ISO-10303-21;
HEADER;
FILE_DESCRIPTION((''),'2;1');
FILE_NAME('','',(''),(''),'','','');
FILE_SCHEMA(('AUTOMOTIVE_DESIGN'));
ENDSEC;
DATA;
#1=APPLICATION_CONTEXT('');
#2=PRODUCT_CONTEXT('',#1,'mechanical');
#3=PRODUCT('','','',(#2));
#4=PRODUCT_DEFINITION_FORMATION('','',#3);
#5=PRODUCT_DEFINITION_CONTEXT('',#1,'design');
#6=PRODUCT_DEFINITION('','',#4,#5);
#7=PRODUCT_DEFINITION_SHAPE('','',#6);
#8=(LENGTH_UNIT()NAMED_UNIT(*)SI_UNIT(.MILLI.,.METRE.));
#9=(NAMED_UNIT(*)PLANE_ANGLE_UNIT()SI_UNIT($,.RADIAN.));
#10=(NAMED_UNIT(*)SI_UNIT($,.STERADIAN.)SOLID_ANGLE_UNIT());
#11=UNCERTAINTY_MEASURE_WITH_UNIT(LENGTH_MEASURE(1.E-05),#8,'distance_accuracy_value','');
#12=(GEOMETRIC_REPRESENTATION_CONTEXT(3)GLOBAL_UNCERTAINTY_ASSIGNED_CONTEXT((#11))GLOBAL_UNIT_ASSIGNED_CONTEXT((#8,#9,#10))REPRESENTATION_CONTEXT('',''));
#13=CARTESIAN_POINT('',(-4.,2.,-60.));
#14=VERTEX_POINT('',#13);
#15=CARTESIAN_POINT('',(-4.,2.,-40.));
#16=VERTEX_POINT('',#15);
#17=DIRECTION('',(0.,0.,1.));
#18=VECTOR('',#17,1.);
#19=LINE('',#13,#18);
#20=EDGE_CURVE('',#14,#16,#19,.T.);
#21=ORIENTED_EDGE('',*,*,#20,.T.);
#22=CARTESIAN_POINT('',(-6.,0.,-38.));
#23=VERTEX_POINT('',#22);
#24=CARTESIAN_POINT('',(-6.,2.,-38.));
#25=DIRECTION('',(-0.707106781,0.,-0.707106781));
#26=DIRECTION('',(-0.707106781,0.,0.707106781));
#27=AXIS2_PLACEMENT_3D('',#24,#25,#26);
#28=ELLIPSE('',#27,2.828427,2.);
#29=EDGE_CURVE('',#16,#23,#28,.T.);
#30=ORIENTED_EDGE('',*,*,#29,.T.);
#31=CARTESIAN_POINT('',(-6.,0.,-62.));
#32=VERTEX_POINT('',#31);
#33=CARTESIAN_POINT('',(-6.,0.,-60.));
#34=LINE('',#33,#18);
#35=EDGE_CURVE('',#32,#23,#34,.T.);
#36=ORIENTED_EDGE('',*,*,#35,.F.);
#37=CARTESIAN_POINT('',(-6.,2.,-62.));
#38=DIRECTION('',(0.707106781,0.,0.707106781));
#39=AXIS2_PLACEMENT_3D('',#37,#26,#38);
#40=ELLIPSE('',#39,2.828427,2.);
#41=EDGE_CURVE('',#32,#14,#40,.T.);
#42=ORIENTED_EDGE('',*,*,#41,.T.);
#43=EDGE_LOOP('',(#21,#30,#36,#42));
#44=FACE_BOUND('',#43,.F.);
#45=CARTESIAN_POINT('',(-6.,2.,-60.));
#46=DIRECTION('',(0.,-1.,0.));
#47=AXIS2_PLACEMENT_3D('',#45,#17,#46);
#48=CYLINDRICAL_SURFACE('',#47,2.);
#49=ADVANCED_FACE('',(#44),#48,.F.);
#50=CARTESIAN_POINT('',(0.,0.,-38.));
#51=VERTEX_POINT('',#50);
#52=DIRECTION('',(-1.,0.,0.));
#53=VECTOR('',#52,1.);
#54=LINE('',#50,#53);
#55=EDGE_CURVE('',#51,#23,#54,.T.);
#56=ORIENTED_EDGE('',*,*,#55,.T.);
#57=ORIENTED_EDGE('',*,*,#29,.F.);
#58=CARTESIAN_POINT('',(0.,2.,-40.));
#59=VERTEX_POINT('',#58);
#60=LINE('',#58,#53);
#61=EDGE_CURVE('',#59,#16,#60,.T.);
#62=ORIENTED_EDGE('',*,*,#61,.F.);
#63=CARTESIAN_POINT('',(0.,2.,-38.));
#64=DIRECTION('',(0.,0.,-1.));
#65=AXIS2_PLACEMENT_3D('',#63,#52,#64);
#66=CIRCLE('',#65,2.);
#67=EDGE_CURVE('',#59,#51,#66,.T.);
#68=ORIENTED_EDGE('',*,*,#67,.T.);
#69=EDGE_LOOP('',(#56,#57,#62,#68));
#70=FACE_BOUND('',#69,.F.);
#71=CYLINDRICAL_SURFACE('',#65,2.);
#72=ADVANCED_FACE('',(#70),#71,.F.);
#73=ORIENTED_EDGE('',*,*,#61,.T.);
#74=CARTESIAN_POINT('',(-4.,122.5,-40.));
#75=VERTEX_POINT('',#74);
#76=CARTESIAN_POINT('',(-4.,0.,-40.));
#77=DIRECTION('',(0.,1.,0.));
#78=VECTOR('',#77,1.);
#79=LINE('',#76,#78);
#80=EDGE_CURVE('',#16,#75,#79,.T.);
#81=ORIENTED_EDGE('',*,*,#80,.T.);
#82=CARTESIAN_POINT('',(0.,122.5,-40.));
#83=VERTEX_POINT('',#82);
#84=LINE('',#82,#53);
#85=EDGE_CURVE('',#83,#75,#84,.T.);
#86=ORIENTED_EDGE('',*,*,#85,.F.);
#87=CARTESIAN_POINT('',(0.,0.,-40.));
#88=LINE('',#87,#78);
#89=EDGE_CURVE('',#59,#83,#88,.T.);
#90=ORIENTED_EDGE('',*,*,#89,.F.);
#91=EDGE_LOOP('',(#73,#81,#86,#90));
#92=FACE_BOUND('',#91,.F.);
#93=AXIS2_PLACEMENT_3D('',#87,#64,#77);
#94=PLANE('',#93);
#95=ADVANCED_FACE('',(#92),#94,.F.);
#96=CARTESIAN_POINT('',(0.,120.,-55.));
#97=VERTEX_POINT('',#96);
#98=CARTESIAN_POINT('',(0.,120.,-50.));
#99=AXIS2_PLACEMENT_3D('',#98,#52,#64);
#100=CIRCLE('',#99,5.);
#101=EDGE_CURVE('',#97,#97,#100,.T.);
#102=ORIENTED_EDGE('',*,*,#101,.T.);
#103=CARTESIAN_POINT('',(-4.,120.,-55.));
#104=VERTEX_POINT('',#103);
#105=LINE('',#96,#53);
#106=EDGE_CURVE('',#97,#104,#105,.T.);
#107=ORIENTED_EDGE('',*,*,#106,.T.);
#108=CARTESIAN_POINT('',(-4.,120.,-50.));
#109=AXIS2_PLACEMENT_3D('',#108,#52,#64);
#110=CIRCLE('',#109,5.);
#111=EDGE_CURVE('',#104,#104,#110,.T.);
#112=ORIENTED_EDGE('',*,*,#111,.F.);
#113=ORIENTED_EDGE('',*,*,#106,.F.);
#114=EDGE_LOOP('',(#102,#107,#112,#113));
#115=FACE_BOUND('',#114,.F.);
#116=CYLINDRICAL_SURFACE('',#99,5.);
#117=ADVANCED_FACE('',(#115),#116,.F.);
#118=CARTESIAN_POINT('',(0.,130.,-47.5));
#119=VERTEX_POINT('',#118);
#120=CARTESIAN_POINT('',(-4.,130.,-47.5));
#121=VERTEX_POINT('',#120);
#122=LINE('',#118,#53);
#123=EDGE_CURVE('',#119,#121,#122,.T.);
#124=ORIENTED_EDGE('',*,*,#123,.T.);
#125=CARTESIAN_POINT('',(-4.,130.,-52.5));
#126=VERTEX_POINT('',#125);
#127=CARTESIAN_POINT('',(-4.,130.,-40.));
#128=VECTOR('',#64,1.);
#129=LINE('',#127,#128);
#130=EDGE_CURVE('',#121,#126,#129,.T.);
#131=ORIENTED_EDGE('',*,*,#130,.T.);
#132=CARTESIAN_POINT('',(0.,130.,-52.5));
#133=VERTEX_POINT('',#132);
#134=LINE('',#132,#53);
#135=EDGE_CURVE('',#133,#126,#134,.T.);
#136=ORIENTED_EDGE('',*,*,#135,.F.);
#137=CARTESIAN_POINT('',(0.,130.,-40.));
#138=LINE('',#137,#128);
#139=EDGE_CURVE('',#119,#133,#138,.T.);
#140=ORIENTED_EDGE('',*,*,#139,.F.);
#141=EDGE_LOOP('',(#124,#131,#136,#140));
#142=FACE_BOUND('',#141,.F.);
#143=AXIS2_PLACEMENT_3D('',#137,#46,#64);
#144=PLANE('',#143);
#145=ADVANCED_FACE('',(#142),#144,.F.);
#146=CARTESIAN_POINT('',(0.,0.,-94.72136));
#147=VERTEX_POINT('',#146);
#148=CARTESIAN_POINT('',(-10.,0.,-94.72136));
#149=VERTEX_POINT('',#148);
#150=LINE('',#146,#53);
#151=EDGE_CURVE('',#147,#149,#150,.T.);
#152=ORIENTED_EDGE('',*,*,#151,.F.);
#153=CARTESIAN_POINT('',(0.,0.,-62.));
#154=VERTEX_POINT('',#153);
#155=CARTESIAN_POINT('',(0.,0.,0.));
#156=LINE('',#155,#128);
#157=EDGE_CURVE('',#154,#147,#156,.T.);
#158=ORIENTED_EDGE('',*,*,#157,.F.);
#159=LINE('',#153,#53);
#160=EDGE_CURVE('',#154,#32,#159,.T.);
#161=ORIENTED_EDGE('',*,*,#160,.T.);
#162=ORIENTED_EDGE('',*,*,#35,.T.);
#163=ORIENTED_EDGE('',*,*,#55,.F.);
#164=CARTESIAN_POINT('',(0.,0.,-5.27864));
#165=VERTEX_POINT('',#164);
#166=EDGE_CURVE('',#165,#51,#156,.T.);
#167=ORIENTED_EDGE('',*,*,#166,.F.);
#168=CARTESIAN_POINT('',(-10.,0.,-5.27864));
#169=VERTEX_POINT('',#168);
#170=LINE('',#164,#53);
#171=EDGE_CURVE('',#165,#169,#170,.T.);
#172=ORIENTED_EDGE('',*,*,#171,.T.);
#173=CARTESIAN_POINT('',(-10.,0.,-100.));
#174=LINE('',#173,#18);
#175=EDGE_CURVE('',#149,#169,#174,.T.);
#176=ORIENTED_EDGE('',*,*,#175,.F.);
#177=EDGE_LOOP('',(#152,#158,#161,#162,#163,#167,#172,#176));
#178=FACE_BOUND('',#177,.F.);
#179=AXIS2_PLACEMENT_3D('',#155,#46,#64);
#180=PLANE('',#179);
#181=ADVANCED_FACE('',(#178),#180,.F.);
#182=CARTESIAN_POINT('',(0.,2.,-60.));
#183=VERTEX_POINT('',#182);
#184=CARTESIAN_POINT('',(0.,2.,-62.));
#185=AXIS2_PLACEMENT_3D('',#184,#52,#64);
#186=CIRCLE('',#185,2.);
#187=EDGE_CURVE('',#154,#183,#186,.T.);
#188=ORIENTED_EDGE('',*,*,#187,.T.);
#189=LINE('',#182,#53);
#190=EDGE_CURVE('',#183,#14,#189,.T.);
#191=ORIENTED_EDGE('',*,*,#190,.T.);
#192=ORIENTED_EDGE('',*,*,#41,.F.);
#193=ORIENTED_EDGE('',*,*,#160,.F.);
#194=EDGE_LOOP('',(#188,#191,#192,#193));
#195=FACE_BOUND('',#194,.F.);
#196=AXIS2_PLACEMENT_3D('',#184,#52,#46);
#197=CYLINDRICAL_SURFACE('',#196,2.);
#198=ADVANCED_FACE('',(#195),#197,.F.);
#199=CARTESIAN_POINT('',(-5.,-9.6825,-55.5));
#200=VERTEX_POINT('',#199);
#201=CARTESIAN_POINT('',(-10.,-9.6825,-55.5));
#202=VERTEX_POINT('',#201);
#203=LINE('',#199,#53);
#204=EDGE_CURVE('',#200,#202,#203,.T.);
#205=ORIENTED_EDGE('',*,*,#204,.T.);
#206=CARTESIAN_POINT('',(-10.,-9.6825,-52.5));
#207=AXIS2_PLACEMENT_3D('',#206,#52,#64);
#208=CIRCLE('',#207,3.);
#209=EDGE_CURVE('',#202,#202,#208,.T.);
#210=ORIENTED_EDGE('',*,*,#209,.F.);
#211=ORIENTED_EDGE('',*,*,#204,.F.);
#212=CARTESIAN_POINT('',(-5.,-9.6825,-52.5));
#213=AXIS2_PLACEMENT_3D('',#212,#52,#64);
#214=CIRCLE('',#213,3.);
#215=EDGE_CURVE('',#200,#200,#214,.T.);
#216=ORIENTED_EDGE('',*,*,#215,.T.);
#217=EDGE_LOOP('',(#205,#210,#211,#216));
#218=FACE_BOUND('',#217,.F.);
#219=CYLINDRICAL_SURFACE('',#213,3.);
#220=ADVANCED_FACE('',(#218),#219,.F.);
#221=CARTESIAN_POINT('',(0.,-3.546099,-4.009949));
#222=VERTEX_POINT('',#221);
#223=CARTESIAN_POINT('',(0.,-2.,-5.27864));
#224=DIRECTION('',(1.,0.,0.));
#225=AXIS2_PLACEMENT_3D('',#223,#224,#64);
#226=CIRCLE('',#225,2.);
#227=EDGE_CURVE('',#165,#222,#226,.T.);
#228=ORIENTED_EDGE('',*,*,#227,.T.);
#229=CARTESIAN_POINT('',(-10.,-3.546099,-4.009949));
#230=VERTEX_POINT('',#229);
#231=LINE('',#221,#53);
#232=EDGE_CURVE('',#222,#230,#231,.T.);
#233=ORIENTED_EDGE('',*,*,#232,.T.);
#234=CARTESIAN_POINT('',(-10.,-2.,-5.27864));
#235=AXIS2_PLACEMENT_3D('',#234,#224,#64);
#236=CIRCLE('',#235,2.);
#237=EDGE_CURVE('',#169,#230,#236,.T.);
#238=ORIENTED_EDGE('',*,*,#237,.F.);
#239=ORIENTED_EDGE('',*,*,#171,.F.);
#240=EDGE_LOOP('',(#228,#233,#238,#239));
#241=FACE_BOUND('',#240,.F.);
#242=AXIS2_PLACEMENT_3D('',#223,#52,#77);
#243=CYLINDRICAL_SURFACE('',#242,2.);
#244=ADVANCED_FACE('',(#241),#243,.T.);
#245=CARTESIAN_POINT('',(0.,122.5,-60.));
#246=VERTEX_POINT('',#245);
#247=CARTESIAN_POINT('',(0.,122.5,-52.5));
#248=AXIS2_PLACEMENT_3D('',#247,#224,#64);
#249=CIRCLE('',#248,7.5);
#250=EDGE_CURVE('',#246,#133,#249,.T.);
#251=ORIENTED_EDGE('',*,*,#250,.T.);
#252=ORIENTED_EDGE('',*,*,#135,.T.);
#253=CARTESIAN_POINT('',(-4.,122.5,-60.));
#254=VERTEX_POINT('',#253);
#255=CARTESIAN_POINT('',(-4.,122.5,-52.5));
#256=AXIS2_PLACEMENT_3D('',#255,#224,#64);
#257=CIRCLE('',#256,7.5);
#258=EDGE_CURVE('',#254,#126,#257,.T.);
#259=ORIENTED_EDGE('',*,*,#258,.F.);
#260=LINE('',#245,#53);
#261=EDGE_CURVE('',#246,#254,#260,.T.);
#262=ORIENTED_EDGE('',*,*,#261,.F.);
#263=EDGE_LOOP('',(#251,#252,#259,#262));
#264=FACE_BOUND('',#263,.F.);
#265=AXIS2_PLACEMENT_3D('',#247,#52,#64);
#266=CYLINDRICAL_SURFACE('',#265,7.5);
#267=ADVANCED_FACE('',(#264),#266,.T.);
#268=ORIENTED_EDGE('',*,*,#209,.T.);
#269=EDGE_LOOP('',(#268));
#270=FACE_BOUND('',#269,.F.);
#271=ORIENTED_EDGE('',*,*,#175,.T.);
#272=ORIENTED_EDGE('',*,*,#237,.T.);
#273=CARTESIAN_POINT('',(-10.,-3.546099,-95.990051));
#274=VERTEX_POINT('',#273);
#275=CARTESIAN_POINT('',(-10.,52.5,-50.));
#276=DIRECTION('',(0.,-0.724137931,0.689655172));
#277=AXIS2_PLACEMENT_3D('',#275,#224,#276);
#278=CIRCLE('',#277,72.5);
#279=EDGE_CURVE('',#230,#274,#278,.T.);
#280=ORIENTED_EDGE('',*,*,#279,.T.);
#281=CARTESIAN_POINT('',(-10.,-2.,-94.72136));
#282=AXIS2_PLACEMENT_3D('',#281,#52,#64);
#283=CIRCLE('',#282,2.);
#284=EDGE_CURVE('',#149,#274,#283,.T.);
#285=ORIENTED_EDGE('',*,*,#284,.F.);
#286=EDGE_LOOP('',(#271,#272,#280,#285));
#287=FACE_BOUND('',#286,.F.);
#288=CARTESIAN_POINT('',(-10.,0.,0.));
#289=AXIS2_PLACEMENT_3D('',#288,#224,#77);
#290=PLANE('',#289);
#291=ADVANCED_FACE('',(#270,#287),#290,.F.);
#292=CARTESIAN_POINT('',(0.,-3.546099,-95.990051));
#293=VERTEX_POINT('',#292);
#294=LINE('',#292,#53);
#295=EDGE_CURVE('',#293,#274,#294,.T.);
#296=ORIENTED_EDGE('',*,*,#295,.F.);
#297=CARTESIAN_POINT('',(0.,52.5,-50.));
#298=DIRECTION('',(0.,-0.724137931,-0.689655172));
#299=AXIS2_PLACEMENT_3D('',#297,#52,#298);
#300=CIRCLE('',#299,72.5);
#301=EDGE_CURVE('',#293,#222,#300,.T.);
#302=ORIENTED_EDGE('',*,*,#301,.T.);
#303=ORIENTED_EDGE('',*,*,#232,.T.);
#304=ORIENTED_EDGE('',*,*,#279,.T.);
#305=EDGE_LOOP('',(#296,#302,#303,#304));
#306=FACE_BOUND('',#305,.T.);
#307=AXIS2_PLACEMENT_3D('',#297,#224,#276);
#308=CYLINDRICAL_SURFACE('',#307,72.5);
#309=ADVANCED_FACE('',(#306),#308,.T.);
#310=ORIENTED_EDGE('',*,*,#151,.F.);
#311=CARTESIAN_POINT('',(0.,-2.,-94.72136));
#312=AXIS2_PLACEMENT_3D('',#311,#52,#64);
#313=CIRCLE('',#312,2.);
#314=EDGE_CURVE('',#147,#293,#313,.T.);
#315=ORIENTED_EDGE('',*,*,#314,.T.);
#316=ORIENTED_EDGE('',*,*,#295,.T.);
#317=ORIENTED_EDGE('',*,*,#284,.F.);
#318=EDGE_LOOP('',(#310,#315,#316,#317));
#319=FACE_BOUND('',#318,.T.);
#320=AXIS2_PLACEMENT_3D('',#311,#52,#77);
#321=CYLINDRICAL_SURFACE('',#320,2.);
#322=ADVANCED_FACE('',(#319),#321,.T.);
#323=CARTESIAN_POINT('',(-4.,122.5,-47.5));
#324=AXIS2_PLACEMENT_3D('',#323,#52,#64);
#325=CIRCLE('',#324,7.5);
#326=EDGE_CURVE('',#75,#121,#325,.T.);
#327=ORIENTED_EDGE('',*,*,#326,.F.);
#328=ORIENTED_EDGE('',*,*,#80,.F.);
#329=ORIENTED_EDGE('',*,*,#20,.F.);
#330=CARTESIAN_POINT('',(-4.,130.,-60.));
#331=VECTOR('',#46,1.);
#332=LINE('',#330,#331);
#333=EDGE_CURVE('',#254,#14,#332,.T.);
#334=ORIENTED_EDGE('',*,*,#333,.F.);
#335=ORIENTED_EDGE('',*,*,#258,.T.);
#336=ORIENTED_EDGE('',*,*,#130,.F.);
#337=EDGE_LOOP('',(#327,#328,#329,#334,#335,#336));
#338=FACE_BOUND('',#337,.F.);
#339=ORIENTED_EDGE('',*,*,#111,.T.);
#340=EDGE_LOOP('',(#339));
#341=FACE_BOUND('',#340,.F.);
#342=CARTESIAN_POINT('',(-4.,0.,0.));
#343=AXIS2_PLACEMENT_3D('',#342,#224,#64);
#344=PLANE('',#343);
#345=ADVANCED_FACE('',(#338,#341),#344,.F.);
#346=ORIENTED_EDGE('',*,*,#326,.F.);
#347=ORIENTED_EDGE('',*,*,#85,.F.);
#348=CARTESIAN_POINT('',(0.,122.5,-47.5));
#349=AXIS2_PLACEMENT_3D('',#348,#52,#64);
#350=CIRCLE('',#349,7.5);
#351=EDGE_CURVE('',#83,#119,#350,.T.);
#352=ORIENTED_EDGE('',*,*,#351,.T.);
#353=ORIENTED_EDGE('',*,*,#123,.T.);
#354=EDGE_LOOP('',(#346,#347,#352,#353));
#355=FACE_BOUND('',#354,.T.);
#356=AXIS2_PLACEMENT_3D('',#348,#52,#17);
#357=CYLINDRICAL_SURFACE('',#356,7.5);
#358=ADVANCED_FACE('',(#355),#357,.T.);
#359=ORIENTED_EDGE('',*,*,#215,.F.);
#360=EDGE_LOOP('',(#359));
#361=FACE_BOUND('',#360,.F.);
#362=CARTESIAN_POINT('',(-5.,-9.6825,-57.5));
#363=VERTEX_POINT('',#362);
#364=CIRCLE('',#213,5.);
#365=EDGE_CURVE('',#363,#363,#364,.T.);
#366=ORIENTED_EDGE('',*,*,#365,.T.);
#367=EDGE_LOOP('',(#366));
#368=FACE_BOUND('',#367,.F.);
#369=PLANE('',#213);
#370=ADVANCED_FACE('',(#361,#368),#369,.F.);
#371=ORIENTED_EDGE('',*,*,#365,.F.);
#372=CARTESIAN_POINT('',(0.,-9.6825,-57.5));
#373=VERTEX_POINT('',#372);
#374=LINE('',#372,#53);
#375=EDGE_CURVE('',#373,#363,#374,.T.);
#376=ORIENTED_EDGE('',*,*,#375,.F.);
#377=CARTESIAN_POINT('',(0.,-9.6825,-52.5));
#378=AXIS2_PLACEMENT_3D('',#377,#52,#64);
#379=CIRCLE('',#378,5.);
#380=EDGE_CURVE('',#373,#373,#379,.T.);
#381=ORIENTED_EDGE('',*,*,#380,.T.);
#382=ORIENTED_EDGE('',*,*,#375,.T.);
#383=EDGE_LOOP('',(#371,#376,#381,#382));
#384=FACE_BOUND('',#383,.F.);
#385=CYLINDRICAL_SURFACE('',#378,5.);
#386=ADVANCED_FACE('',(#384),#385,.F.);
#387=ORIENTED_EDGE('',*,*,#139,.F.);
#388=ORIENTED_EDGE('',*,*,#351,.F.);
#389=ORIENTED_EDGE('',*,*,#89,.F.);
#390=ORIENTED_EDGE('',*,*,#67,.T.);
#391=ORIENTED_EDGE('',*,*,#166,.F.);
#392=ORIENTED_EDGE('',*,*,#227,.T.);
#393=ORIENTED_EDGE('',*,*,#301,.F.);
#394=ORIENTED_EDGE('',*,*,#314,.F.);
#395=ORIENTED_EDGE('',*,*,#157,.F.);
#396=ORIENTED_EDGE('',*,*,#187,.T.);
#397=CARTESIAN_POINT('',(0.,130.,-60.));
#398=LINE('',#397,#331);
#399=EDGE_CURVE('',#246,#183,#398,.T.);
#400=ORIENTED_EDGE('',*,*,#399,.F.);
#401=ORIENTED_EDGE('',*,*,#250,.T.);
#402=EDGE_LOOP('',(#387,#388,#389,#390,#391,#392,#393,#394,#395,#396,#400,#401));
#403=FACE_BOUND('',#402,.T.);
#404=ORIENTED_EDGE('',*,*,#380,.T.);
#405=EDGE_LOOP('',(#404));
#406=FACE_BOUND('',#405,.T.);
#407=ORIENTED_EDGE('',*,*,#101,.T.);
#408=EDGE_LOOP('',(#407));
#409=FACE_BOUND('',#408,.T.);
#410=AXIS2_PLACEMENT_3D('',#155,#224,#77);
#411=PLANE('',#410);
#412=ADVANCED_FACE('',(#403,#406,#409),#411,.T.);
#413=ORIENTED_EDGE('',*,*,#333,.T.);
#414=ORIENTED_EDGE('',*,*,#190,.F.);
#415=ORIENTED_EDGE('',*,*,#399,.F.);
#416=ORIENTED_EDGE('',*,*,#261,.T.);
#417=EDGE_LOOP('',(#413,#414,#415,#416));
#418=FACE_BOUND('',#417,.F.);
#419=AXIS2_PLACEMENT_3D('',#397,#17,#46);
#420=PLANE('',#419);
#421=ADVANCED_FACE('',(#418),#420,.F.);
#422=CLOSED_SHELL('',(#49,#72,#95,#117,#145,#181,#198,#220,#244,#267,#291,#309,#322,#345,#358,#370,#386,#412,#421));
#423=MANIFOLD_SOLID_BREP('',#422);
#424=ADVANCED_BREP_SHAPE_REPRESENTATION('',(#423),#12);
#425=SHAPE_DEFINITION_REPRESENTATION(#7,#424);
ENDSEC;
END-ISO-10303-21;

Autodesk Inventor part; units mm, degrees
ref_plane "YZ Plane" through (0, 0, 0) normal (1, 0, 0) x (0, 1, 0)
ref_plane "XZ Plane" through (0, 0, 0) normal (0, 1, 0) x (-1, 0, 0)
ref_plane "XY Plane" through (0, 0, 0) normal (0, 0, 1) x (1, 0, 0)
sketch "スケッチ4" plane through (0, 0, 0) normal (1, 0, 0) x (0, 1, 0)
  line L0 (0, 0) -> (0, -100)
  line L1 (0, -50) -> (-20, -50)
  arc A0 (0, 0) -> (0, -100) centre (52.5, -50) ccw
  dimension "d23" = 100
  dimension "d24" = 20
extrude "押し出し3" add sketch "スケッチ4" against normal blind 10
sketch "スケッチ5" plane through (0, 0, 0) normal (1, 0, 0) x (0, 0, -1)
  line L0 (40, 130) -> (60, 130)
  line L1 (60, 130) -> (60, 0)
  line L2 (60, 0) -> (40, 0)
  line L3 (40, 0) -> (40, 130)
  line L4 (100, 0) -> (0, 0) projected
  point P0 (50, 0)
  point P1 (50, 0)
  dimension "d27" = 20
  dimension "d28" = 130
  dimension "d29" = 0
  dimension "d30" = 0
extrude "押し出し4" add sketch "スケッチ5" against normal blind 4
sketch "スケッチ6" plane through (0, 0, 0) normal (1, 0, 0) x (0, 0, -1)
  line L0 (60, 0) -> (60, 130) projected
  line L1 (60, 130) -> (40, 130) projected
  point P0 (0, 0)
  point P1 (50, 120)
  dimension "d33" = 10
  dimension "d34" = 10
hole "穴2" at (0, 120, -50) direction (-1, 0, 0) diameter 10 end through all
sketch "スケッチ7" plane through (0, 0, 0) normal (1, 0, 0) x (0, 0, -1)
  line L0 (40, 0) -> (60, 0) projected
  line L1 (60, 0) -> (60, 130) projected
  point P0 (0, 0)
  point P1 (52.5, -9.6825)
  point P2 (50, 0)
  dimension "d42" = 10
  dimension "d43" = 7.5
hole "穴3" at (0, -9.6825, -52.5) direction (-1, 0, 0) diameter 6 end through all counterbore diameter 10 counterbore depth 5
fillet "フィレット1" radius 7.5 2 edges at (-2, 130, -40) (-2, 130, -60)
fillet "フィレット2" radius 2 3 edges at (-2, 0, -40) (-4, 0, -50) (-2, 0, -60)
fillet "フィレット3" radius 2 2 edges at (-5, 0, 0) (-5, 0, -100)
properties part number "受動歩行_ver3"
